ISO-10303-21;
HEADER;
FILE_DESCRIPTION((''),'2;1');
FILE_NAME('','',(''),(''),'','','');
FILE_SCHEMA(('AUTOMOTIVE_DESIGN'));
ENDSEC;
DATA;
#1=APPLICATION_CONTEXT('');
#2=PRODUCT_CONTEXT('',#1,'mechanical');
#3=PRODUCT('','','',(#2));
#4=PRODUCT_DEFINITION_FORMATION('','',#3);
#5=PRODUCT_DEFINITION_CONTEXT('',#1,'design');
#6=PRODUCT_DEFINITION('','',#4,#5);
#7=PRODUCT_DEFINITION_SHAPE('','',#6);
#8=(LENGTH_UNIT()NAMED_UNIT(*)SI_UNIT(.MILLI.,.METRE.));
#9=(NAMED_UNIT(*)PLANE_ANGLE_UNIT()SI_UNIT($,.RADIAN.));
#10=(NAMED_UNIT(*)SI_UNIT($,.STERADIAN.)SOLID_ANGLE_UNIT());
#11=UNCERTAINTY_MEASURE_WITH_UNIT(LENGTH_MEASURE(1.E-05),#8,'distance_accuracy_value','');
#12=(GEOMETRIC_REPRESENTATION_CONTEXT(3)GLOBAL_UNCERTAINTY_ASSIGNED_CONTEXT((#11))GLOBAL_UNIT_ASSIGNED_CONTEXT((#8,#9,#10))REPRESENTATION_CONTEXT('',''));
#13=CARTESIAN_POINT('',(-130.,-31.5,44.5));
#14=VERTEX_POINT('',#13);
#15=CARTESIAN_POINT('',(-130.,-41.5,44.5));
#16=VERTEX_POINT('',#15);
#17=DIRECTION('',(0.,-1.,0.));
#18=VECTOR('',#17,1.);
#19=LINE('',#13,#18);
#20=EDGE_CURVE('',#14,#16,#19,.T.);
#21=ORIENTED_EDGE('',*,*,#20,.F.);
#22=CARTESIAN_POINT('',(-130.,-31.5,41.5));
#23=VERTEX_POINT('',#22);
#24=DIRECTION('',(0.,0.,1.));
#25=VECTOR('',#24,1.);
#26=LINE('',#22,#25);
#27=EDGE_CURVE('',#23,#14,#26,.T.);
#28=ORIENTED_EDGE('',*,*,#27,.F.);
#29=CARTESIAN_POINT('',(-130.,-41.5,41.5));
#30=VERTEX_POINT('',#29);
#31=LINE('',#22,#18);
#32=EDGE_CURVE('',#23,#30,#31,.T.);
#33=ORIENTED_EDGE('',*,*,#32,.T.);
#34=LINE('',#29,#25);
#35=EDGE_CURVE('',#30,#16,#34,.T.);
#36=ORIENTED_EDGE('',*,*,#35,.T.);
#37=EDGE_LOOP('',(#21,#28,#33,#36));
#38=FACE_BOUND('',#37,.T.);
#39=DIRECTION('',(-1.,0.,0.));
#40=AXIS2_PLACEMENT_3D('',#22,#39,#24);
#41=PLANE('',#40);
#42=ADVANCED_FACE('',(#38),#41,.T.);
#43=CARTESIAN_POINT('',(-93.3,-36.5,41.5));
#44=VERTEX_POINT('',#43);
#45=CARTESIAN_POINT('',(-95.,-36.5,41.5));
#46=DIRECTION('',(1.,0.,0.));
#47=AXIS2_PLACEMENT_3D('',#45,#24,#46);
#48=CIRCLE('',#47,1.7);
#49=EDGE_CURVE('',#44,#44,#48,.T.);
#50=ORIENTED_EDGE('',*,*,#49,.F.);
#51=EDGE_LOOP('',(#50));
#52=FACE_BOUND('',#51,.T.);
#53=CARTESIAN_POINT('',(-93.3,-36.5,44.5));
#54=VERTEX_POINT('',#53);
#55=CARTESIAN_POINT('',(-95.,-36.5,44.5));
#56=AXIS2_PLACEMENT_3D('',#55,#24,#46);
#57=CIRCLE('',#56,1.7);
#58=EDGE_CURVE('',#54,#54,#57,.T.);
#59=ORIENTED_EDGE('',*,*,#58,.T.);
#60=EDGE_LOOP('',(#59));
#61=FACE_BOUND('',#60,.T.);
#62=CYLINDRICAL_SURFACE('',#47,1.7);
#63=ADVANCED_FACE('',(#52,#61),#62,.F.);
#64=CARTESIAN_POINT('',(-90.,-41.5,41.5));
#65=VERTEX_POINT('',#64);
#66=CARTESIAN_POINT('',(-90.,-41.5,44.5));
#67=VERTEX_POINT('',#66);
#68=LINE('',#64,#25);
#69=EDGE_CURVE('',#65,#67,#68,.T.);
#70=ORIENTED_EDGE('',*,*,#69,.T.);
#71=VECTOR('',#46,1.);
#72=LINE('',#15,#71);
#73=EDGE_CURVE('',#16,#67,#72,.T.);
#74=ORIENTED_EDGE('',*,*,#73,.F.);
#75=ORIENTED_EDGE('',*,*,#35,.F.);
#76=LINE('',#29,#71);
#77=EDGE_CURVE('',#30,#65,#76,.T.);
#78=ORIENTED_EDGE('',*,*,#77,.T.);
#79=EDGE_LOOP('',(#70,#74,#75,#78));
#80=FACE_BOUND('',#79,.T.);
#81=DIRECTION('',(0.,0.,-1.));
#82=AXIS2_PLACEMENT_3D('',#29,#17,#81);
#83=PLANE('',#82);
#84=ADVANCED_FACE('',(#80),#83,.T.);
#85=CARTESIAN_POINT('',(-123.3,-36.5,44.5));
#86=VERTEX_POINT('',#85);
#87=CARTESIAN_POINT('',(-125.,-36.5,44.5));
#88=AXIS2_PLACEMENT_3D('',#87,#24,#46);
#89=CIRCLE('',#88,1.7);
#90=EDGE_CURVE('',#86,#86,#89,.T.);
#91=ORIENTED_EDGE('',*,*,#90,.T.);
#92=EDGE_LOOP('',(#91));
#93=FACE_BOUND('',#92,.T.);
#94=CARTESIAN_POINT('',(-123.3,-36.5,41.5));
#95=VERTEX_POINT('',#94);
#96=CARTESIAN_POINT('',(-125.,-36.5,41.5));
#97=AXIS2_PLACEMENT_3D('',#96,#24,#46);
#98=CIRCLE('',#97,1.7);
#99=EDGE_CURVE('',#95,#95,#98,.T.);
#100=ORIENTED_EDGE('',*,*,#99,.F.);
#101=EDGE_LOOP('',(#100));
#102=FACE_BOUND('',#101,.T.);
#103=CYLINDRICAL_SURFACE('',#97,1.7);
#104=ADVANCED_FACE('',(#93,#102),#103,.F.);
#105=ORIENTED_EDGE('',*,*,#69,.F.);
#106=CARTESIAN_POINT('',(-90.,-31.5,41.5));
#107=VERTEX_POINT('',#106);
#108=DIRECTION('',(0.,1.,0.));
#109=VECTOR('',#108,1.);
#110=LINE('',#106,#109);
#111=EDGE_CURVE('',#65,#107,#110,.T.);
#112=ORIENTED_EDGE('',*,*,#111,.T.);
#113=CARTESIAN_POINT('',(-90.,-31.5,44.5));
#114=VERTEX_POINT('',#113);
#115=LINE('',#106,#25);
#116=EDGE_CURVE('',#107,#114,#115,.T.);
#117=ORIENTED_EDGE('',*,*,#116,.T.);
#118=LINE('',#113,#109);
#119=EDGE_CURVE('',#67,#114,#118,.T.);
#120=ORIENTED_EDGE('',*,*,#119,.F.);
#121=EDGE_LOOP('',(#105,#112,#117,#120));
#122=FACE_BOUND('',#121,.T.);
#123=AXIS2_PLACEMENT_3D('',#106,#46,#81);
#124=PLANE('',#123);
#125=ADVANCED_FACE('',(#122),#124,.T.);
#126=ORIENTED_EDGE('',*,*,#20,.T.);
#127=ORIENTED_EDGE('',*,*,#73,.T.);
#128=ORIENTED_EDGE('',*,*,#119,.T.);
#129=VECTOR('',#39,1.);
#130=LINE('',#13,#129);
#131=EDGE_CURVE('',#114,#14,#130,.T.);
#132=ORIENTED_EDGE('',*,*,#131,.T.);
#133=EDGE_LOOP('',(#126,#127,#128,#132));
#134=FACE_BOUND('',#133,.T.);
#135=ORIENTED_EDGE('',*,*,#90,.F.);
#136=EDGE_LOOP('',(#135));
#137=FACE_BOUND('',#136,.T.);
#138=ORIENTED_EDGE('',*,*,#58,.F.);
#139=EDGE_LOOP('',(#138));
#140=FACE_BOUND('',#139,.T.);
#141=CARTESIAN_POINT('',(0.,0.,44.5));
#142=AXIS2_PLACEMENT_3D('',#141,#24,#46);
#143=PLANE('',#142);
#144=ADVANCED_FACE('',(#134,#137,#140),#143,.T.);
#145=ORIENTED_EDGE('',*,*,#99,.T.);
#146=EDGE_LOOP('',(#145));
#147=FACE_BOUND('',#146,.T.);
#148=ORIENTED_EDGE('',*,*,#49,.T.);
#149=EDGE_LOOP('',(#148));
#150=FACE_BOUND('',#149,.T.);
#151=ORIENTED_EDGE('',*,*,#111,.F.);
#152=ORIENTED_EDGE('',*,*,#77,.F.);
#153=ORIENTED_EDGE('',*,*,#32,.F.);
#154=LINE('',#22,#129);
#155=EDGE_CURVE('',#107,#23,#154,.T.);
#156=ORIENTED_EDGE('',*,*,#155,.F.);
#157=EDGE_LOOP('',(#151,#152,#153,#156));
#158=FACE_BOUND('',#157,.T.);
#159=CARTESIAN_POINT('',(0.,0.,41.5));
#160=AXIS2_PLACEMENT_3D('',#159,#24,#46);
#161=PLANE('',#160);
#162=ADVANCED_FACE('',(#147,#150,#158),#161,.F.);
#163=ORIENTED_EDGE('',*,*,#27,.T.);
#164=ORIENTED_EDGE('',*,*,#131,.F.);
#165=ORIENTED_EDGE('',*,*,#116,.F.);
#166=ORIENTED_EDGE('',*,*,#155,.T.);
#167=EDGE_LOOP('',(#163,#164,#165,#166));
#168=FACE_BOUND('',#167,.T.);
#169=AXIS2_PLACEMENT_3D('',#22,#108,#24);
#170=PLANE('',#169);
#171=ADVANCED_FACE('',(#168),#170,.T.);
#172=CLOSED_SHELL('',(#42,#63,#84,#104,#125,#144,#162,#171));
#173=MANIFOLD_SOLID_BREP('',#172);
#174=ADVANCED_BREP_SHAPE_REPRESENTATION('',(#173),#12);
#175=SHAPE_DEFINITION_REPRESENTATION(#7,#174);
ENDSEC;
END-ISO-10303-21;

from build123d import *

# Parameters (mm, degrees)
MAIN_PROFILE_SKETCH_W = 40
MAIN_PROFILE_SKETCH_H = 10
MAIN_PROFILE_SKETCH_R = 1.7
MAIN_EXTRUSION_DEPTH  = 3


with BuildPart() as part:
    # Main Profile Sketch → Main Extrusion (new body)
    with BuildSketch(Plane.XY.offset(44.5)):
        with Locations((-110, -36.5)):
            Rectangle(MAIN_PROFILE_SKETCH_W, MAIN_PROFILE_SKETCH_H)
        with Locations((-125, -36.5)):
            Circle(MAIN_PROFILE_SKETCH_R, mode=Mode.SUBTRACT)
        with Locations((-95, -36.5)):
            Circle(MAIN_PROFILE_SKETCH_R, mode=Mode.SUBTRACT)
    extrude(amount=-MAIN_EXTRUSION_DEPTH)


solid = part.part
